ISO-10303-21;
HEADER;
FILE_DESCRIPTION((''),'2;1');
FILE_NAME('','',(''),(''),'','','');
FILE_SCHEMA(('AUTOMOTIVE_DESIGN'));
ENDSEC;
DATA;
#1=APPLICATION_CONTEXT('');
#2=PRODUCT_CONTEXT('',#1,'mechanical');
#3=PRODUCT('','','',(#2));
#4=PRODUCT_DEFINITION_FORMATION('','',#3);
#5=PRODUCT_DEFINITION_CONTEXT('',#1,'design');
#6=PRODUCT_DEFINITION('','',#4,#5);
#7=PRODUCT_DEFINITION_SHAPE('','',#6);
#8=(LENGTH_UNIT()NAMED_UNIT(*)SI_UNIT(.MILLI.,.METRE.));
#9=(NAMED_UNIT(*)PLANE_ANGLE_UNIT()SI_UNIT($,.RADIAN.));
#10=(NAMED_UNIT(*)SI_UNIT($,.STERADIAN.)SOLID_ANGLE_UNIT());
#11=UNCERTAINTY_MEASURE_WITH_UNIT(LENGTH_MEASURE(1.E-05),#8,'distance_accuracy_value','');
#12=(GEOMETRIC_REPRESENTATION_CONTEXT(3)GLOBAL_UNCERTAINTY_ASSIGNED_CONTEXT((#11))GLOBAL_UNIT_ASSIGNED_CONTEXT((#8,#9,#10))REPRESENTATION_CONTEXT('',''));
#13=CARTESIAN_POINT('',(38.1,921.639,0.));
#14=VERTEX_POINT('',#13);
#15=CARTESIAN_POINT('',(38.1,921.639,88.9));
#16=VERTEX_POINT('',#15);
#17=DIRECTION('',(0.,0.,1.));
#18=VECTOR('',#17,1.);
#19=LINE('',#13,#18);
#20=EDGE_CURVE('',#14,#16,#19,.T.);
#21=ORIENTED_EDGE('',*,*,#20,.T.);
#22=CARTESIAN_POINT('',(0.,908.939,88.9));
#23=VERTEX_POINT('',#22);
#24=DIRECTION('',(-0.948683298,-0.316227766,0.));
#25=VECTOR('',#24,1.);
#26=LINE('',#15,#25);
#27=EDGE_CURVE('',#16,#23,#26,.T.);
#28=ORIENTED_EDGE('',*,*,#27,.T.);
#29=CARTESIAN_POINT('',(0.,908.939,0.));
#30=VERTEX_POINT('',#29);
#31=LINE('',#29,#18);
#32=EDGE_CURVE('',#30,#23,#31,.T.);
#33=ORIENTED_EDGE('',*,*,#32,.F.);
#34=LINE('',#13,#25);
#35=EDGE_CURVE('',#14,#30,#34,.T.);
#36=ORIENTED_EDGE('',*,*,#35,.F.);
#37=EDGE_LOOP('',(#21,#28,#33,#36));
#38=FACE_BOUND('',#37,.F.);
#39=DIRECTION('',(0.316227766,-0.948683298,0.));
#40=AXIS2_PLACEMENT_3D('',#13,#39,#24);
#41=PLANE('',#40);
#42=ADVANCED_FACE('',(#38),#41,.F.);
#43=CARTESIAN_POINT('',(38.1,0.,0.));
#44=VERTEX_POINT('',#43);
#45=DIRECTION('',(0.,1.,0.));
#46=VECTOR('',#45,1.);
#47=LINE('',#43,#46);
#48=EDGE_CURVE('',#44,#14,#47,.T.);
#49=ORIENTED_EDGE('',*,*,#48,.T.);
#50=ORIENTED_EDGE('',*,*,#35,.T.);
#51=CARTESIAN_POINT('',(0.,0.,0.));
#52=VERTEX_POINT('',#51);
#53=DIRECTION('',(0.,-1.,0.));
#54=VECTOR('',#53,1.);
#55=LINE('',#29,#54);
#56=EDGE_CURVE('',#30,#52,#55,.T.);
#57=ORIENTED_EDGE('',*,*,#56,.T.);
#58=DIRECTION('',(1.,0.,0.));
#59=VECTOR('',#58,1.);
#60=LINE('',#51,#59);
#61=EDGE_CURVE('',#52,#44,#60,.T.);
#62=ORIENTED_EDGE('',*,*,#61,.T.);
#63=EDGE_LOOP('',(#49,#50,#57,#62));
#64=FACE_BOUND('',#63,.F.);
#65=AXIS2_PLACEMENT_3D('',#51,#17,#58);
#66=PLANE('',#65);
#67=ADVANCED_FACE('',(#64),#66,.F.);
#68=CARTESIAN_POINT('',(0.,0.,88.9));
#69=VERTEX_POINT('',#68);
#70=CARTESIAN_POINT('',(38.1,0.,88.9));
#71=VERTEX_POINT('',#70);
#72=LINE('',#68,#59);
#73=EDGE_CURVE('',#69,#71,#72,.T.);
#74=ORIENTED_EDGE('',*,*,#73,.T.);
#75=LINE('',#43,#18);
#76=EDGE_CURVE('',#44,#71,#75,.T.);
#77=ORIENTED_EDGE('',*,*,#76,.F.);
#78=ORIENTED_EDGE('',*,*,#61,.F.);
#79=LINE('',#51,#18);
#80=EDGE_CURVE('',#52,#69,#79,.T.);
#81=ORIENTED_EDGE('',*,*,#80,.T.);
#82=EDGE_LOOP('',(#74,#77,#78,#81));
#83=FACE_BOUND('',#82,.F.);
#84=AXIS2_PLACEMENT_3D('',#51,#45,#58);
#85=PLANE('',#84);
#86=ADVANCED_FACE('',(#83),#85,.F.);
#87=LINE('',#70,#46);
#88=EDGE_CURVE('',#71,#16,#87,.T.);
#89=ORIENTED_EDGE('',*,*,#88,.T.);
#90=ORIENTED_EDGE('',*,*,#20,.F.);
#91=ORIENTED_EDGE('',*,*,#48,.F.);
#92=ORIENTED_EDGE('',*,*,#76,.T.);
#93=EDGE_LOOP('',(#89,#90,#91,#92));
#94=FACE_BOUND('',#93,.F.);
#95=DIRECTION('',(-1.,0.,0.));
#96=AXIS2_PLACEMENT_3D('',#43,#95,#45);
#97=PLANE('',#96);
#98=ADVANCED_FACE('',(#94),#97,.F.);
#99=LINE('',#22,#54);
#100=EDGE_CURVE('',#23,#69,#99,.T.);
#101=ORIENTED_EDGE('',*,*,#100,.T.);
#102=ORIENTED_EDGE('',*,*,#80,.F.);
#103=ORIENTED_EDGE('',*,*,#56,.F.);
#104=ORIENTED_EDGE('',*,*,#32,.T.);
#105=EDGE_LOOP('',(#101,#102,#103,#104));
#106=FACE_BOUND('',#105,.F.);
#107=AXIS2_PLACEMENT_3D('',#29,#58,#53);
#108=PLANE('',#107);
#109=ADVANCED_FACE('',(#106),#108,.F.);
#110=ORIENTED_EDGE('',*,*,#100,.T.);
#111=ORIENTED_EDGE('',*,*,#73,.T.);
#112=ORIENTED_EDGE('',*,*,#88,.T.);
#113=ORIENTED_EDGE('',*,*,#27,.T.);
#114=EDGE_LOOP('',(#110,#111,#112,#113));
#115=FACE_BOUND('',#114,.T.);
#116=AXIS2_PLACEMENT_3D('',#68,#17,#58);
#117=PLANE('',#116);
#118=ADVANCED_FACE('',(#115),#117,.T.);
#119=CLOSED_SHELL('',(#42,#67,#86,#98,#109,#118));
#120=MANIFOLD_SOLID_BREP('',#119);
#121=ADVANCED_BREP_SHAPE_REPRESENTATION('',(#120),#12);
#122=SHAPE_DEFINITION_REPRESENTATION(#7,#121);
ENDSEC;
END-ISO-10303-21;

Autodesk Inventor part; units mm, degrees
ref_plane "YZ Plane" through (0, 0, 0) normal (1, 0, 0) x (0, 1, 0)
ref_plane "XZ Plane" through (0, 0, 0) normal (0, 1, 0) x (-1, 0, 0)
ref_plane "XY Plane" through (0, 0, 0) normal (0, 0, 1) x (1, 0, 0)
sketch "Sketch1" plane through (0, 0, 0) normal (0, 0, 1) x (1, 0, 0)
  line L0 (0, 0) -> (38.1, 0)
  line L1 (38.1, 0) -> (38.1, 921.639)
  line L2 (38.1, 921.639) -> (0, 908.939)
  line L3 (0, 908.939) -> (0, 0)
  dimension "d2" = 38.1
  dimension "d5" = 908.939
  dimension "d6" = 921.639
extrude "Extrusion1" add sketch "Sketch1" along normal blind 88.9
properties part number "Stud_Between_Top_Plate_And_Rafter_7" material "Wood (Birch)"
